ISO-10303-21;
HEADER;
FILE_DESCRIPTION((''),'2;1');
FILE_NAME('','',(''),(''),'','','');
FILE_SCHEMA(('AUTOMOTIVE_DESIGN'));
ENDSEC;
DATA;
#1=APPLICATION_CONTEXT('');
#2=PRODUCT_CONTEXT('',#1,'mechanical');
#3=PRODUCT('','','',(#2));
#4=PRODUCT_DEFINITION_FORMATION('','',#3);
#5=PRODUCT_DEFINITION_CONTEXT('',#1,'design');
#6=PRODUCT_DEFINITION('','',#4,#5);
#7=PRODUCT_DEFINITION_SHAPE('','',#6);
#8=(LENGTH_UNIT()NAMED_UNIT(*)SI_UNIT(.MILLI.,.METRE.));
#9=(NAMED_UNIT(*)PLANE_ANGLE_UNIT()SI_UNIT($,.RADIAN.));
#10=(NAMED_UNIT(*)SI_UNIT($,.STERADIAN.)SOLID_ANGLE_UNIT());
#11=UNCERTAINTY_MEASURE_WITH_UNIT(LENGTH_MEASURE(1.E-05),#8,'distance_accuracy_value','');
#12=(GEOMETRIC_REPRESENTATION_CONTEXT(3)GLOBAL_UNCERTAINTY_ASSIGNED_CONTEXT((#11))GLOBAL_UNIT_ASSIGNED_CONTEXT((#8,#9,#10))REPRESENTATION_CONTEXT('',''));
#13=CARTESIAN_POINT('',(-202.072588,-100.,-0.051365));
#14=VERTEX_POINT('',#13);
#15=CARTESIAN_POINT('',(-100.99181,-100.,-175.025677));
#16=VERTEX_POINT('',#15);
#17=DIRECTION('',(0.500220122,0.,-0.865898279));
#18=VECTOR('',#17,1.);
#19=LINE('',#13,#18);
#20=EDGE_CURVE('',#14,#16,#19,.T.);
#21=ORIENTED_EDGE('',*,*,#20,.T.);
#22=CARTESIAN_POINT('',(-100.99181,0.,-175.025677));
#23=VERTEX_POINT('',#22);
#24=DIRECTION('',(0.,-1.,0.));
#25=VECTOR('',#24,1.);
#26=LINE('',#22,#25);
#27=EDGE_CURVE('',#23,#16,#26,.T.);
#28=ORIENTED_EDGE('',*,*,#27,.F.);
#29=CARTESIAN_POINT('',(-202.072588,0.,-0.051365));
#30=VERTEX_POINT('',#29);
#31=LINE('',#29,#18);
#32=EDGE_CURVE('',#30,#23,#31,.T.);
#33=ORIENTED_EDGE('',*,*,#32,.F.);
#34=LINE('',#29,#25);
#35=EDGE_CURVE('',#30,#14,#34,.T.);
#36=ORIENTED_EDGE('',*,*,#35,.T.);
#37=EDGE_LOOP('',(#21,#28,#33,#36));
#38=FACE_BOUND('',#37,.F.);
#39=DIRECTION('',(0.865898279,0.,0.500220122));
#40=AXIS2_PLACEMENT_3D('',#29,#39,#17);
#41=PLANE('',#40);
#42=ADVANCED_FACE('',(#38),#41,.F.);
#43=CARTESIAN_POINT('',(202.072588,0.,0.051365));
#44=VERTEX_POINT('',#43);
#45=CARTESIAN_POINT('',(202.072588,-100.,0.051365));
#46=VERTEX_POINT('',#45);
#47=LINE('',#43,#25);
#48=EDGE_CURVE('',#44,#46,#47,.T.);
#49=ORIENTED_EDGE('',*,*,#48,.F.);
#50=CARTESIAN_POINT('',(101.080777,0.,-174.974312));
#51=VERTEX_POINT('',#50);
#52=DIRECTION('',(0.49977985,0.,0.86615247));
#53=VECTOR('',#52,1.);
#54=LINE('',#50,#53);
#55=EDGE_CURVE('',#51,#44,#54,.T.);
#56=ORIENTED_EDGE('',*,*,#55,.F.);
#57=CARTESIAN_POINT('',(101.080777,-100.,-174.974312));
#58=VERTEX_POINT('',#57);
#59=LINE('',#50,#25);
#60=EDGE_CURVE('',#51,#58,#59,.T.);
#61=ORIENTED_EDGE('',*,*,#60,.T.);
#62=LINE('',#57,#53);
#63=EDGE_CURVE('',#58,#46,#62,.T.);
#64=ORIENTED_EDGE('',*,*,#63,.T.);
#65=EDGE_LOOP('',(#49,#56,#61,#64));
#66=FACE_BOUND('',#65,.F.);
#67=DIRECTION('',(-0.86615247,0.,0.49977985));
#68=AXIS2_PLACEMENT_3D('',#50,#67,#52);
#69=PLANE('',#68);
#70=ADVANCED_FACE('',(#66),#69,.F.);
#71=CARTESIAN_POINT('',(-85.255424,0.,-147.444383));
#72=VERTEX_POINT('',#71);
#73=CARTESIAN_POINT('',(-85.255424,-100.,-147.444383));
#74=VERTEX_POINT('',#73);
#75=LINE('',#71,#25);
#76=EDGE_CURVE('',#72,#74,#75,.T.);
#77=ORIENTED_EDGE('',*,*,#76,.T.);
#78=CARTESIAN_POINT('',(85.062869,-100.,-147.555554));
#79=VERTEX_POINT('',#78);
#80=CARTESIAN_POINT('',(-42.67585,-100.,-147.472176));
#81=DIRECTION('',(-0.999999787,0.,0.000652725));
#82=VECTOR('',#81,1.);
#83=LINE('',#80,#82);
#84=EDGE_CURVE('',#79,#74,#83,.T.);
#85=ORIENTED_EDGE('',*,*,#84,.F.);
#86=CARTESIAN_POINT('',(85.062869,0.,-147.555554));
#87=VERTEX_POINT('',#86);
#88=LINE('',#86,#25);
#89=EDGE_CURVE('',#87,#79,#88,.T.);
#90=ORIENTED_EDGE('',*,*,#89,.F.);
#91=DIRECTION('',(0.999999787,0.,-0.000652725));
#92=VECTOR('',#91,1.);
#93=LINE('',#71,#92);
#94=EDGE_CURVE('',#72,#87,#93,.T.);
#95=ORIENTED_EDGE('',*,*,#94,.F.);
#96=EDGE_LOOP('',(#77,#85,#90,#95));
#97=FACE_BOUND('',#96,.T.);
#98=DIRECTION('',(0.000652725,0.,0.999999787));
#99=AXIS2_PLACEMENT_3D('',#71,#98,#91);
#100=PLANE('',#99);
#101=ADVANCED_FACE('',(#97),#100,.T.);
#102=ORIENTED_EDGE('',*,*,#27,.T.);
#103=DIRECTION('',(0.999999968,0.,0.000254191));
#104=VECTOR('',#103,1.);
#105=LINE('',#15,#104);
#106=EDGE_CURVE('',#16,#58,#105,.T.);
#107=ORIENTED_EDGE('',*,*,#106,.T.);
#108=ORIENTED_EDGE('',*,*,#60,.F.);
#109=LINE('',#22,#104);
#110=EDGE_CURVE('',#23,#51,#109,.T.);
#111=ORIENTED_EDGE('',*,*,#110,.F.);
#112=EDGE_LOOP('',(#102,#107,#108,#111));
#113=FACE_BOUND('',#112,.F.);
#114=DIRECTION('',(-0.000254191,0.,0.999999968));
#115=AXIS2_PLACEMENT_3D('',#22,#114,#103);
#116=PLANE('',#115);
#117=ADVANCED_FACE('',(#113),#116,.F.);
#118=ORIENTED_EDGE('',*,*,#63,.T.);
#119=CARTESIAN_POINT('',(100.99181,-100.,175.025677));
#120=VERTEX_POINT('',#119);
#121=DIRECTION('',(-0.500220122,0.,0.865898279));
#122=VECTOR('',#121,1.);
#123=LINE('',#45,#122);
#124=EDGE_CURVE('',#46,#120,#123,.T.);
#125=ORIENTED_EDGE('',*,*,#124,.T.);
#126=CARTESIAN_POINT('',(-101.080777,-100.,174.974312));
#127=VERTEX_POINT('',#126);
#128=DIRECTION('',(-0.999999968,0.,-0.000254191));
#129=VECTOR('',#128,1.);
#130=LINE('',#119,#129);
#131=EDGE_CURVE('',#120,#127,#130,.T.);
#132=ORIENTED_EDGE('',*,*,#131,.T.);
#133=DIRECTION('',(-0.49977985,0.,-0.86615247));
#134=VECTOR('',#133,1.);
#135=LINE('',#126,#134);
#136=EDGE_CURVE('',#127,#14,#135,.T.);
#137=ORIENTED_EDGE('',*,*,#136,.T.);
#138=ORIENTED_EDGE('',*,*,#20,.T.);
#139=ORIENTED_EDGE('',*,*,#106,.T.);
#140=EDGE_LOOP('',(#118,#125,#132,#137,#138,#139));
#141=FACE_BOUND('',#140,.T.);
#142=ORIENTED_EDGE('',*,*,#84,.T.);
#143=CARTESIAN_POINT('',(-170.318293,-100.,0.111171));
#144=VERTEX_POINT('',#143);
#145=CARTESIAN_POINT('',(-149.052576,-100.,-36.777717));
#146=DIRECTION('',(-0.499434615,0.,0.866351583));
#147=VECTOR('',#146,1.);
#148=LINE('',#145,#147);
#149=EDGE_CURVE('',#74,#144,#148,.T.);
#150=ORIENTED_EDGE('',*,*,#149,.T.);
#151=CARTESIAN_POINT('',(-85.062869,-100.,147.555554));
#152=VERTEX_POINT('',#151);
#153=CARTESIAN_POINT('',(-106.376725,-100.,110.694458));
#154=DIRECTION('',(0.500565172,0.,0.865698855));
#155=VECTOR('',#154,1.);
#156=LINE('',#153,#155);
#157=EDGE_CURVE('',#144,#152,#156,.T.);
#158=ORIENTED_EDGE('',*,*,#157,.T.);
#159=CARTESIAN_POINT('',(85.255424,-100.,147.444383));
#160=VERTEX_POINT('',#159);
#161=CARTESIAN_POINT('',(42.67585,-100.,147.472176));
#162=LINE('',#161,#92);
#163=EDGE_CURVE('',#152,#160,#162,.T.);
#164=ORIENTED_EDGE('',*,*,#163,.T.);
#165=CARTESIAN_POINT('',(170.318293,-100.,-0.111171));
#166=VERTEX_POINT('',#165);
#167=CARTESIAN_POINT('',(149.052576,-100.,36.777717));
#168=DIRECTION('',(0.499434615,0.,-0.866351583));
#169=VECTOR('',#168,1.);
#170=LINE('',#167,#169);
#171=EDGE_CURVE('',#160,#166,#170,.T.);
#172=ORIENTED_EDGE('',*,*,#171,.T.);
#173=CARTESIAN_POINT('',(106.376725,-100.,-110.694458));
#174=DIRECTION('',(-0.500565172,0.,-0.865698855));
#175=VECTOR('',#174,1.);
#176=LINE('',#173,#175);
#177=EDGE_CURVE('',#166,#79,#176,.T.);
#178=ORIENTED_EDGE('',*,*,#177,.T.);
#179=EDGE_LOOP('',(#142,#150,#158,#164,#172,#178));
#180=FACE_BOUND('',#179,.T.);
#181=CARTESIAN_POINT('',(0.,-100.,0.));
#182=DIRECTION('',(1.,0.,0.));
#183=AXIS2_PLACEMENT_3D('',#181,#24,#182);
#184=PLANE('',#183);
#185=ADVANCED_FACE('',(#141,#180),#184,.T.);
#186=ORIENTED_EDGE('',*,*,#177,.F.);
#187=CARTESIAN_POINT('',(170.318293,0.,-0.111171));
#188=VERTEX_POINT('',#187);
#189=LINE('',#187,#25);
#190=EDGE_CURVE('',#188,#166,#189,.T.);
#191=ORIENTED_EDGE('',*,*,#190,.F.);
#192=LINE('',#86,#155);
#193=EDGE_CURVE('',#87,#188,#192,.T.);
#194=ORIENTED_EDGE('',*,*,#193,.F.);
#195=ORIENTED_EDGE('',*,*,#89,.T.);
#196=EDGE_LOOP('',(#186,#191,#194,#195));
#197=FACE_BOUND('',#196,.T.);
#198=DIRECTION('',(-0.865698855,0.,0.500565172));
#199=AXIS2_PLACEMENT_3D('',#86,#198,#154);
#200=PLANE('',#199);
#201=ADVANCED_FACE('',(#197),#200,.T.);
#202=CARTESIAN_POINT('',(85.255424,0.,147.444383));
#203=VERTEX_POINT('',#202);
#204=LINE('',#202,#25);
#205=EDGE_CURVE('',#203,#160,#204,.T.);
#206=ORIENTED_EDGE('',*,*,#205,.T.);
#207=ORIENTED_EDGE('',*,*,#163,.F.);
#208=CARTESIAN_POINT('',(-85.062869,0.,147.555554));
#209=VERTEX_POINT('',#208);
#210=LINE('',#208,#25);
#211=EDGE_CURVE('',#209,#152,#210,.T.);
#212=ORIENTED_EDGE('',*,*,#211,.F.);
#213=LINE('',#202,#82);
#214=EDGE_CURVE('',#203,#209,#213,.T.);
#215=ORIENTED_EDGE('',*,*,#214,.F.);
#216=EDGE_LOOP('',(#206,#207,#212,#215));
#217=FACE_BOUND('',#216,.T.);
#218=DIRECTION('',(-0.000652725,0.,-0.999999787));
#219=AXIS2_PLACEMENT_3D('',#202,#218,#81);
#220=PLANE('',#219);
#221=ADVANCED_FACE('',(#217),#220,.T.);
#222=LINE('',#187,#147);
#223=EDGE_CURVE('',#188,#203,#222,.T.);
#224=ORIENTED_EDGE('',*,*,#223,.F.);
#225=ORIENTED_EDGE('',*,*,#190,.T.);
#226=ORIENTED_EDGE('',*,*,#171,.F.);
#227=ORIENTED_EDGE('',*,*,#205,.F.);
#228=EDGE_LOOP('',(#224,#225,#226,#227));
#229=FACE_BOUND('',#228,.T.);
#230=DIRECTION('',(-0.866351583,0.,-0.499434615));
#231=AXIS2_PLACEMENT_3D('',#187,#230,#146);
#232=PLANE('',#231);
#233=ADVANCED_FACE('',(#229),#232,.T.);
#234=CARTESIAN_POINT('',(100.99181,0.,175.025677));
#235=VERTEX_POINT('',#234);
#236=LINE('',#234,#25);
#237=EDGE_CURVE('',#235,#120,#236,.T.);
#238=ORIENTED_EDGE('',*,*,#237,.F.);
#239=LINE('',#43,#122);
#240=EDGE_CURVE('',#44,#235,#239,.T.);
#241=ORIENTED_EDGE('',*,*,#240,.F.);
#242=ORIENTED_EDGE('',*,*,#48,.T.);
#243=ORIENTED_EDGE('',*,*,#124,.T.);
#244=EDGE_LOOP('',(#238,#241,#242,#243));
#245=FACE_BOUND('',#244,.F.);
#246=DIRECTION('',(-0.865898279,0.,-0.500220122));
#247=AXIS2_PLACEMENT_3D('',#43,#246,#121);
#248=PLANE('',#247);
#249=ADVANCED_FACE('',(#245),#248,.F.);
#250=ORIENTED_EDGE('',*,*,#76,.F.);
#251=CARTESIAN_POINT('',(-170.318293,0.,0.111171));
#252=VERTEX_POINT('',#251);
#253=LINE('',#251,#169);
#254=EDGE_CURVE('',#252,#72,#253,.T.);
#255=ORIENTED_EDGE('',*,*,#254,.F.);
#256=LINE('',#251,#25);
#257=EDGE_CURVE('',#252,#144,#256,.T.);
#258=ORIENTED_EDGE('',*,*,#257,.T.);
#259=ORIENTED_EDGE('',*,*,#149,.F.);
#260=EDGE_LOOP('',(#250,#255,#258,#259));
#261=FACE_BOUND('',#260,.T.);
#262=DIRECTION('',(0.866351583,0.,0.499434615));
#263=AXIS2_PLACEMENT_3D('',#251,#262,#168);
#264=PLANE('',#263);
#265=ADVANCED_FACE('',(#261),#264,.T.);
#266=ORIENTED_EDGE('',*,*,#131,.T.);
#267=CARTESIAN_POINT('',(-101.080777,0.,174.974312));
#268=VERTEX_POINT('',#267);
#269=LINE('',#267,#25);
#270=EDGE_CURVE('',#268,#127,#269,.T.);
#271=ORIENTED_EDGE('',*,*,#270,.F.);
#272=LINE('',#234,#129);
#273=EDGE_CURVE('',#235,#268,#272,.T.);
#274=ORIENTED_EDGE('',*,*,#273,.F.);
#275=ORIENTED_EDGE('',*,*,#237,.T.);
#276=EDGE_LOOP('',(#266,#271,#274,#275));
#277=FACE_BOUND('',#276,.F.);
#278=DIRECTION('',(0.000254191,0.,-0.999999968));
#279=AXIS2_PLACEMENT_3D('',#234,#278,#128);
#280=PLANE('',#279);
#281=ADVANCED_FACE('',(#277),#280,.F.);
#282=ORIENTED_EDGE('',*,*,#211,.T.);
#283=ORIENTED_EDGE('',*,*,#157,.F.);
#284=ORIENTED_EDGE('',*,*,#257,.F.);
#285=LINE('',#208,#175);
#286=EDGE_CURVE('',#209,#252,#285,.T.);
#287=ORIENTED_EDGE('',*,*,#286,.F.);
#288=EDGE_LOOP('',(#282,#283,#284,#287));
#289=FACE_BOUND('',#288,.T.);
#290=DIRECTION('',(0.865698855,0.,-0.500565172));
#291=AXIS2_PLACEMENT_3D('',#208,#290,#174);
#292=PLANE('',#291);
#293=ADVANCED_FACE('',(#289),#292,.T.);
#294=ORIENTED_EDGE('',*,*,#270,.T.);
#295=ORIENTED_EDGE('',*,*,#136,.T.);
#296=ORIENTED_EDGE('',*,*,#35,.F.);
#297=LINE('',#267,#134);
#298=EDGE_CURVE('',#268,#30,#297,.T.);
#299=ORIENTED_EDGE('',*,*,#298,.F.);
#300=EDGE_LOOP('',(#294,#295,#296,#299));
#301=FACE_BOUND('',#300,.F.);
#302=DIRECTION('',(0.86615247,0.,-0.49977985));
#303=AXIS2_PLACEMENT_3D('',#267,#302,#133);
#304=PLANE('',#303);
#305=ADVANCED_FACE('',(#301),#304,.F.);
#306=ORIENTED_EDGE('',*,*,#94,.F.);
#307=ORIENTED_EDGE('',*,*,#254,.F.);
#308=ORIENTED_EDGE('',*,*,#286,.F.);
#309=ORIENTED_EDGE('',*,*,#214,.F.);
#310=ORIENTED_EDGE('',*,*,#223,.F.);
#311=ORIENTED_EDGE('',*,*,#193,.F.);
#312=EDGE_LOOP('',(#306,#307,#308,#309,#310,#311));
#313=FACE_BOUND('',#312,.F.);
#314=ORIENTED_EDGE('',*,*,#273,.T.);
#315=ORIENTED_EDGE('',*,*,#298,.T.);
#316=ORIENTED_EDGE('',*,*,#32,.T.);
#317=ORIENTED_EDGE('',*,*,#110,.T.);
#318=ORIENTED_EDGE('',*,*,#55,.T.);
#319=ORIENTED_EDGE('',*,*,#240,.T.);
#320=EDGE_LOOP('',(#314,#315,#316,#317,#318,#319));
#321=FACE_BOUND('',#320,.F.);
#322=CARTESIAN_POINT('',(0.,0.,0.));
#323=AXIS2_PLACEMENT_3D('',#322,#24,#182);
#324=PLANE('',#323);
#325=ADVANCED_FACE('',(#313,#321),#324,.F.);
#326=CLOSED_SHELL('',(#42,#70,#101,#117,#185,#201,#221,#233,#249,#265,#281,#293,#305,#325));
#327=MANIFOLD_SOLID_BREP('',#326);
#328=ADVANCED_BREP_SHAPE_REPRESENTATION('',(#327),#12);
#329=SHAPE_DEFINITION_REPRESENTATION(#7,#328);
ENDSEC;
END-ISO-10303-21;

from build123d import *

# Parameters (mm, degrees)
F2_DEPTH = 100
F3_DEPTH = 191


with BuildPart() as f2:
    # F0 (on Front) → F2 (new body)
    with BuildSketch(Plane.XZ):
        Polygon((-202.072588, -0.051365), (-100.99181, -175.025677), (101.080777, -174.974312), (202.072588, 0.051365), (100.99181, 175.025677), (-101.080777, 174.974312), align=None)
    extrude(amount=F2_DEPTH)

    # F1 (on face) → F3 (cut)
    with BuildSketch(Plane.XZ):
        Polygon((-170.318293, 0.111171), (-85.255424, -147.444383), (85.062869, -147.555554), (170.318293, -0.111171), (85.255424, 147.444383), (-85.062869, 147.555554), align=None)
    extrude(amount=F3_DEPTH, mode=Mode.SUBTRACT)


solid = f2.part
